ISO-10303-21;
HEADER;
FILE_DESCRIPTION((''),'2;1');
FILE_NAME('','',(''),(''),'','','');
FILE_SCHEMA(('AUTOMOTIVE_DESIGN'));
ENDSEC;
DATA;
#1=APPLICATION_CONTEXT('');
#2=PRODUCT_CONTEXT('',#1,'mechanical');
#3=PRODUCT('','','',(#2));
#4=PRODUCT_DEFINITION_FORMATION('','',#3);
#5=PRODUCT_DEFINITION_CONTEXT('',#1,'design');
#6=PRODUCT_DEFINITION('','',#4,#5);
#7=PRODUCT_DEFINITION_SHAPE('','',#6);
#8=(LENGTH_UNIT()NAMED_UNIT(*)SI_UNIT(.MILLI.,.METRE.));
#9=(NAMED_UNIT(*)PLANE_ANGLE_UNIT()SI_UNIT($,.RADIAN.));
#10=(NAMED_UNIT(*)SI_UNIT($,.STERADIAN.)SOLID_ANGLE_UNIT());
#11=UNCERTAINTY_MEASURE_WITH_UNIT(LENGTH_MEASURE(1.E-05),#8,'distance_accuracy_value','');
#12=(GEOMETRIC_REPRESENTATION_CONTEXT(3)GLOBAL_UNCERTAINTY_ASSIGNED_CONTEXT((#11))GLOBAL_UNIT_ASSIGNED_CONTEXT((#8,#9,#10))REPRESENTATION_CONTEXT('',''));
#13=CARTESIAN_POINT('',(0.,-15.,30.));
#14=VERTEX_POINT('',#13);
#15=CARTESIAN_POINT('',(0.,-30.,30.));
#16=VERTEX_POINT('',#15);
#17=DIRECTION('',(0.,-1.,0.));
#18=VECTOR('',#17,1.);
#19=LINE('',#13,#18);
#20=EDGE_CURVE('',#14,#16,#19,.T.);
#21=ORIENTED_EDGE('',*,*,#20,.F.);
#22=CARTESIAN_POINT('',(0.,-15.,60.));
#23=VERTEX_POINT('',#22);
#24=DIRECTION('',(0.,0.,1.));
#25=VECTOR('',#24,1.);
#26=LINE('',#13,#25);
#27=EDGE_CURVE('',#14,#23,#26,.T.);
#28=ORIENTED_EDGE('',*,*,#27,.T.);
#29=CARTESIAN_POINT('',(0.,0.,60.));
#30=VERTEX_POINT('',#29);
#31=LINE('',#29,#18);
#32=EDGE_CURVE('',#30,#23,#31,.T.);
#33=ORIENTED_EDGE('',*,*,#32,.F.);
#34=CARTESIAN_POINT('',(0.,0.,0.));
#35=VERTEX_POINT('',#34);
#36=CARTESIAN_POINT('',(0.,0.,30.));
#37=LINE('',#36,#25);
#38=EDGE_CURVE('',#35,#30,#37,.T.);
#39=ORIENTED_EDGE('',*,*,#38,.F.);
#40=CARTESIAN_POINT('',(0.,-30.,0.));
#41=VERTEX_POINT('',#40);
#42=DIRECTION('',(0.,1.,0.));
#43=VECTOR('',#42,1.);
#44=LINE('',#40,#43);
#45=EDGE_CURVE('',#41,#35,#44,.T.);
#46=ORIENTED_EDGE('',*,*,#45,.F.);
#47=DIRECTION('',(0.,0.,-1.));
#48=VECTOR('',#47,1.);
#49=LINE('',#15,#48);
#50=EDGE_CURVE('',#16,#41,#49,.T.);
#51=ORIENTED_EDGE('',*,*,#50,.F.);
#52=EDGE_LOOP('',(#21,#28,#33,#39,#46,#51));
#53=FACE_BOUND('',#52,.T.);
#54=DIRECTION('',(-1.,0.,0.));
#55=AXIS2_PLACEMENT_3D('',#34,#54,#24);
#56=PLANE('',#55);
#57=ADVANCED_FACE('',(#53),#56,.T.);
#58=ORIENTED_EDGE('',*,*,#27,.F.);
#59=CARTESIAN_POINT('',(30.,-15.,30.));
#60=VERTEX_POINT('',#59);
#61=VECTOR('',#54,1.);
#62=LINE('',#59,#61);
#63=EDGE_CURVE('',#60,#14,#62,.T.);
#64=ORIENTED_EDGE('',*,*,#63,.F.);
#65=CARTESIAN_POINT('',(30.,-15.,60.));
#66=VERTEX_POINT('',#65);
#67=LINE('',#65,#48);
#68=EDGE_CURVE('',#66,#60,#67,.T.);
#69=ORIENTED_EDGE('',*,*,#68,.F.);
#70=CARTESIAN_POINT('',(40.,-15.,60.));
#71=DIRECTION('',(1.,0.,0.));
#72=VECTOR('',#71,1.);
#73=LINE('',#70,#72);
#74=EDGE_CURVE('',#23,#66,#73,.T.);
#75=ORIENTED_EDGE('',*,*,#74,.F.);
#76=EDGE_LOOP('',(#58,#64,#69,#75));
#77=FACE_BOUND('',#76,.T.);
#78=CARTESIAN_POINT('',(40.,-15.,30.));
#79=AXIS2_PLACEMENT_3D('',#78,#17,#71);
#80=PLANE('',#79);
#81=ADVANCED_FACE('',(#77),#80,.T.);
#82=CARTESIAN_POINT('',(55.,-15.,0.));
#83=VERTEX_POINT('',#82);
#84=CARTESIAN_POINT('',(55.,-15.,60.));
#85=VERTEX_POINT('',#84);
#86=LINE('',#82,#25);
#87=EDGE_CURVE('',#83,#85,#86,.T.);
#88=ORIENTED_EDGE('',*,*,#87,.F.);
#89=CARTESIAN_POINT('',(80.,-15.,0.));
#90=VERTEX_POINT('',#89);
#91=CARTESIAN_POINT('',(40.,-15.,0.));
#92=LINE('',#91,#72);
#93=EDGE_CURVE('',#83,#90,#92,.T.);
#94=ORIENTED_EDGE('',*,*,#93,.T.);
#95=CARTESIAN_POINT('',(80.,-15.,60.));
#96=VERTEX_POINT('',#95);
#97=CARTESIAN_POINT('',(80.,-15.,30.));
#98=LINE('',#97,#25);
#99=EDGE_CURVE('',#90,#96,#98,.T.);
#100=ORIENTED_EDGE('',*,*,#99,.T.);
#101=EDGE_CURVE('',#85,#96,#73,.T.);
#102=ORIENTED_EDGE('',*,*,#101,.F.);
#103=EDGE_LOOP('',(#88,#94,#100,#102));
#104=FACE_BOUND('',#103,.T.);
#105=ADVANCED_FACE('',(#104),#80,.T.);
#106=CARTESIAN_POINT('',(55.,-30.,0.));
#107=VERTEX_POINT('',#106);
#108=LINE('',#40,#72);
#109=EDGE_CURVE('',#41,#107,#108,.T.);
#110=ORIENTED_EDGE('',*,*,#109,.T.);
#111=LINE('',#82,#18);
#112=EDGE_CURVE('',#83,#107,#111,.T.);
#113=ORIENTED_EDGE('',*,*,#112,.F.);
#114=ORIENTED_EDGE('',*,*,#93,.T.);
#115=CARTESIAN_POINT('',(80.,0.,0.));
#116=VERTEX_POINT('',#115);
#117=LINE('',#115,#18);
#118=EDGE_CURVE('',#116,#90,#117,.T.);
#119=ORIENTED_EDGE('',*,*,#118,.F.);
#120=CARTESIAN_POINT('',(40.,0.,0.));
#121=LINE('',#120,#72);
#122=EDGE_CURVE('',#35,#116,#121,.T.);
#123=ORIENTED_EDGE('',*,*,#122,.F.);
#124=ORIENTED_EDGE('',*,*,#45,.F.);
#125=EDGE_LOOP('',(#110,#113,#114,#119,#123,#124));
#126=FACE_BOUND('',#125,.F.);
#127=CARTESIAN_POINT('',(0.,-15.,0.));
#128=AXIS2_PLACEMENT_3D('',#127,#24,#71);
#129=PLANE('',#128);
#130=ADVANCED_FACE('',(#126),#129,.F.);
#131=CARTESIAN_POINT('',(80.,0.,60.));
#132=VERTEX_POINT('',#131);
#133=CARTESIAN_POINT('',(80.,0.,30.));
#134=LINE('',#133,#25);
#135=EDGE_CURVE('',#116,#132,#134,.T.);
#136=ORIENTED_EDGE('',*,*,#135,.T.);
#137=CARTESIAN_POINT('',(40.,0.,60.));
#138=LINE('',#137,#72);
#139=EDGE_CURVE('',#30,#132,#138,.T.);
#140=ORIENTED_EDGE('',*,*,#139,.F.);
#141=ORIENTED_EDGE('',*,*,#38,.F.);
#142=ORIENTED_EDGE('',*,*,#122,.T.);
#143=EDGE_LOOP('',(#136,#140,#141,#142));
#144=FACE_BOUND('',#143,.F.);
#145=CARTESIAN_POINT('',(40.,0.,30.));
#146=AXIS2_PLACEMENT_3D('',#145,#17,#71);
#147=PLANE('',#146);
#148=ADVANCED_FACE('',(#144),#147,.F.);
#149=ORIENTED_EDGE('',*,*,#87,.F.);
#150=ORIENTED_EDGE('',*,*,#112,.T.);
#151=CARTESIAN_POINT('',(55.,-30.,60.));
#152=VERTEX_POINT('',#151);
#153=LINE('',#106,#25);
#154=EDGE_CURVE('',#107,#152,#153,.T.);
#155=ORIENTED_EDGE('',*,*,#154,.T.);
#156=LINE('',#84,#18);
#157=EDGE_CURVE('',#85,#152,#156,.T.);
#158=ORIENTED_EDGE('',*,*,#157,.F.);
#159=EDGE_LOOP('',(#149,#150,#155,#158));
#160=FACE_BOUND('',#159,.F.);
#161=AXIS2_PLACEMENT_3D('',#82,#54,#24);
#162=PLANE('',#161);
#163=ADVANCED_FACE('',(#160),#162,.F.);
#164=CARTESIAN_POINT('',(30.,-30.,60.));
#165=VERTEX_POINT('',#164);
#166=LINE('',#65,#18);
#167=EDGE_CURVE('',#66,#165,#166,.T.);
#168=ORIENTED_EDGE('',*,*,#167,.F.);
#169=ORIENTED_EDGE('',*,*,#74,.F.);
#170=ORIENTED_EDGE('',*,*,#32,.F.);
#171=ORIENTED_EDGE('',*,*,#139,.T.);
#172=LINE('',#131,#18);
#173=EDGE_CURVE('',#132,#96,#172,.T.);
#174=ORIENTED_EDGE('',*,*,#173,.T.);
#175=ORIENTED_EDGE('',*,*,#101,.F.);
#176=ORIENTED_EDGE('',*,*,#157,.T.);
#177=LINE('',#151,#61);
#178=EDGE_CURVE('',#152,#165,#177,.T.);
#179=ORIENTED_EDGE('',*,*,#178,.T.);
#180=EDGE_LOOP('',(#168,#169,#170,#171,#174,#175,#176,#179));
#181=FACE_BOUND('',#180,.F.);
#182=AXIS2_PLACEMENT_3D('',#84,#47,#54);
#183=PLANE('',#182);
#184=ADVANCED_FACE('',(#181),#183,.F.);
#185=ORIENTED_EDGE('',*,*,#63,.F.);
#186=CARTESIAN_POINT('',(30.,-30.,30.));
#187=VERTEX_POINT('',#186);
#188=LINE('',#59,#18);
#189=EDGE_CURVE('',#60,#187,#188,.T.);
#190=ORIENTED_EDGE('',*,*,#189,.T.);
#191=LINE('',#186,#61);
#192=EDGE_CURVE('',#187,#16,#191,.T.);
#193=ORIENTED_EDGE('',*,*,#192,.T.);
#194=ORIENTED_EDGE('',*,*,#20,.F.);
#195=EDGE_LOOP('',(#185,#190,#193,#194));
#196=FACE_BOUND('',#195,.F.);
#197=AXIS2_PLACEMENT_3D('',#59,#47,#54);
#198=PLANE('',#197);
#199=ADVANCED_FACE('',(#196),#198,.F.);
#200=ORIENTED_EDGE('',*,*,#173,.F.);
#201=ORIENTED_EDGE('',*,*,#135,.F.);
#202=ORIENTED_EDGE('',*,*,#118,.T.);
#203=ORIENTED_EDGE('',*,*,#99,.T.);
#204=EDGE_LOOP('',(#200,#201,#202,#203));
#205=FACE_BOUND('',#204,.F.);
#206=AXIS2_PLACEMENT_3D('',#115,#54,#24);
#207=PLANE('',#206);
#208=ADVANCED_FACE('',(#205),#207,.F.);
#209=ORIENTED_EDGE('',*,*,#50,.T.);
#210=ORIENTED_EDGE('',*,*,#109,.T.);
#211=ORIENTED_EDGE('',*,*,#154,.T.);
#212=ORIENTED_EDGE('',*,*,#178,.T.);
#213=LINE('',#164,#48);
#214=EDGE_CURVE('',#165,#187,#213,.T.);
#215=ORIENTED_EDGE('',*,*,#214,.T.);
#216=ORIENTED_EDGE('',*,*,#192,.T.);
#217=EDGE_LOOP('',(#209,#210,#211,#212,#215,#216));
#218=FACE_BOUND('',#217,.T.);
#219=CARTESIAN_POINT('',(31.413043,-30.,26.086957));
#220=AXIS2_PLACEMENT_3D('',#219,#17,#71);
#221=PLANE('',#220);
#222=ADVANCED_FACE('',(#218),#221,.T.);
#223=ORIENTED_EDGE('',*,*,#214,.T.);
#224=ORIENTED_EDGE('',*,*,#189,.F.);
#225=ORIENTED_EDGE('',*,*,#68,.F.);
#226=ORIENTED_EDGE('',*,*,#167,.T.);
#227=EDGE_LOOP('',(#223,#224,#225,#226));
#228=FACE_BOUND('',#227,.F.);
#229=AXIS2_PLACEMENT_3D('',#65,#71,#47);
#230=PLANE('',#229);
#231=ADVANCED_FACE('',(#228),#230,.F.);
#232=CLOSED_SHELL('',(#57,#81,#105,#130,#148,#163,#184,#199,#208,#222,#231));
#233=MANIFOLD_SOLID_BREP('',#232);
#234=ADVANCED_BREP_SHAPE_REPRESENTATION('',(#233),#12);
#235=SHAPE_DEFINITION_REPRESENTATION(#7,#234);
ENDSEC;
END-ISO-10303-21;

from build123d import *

# Parameters (mm, degrees)
F0_W     = 80
F0_H     = 60
F1_DEPTH = 15
F3_DEPTH = 15


with BuildPart() as f1:
    # F0 (on Front) → F1 (new body)
    with BuildSketch(Plane.XZ):
        with Locations((40, 30)):
            Rectangle(F0_W, F0_H)
    extrude(amount=F1_DEPTH)

    # F2 (on face) → F3 (join)
    with BuildSketch(Plane.XZ.offset(15)):
        Polygon((55, 60), (30, 60), (30, 30), (0, 30), (0, 0), (55, 0), align=None)
    extrude(amount=F3_DEPTH)


solid = f1.part
